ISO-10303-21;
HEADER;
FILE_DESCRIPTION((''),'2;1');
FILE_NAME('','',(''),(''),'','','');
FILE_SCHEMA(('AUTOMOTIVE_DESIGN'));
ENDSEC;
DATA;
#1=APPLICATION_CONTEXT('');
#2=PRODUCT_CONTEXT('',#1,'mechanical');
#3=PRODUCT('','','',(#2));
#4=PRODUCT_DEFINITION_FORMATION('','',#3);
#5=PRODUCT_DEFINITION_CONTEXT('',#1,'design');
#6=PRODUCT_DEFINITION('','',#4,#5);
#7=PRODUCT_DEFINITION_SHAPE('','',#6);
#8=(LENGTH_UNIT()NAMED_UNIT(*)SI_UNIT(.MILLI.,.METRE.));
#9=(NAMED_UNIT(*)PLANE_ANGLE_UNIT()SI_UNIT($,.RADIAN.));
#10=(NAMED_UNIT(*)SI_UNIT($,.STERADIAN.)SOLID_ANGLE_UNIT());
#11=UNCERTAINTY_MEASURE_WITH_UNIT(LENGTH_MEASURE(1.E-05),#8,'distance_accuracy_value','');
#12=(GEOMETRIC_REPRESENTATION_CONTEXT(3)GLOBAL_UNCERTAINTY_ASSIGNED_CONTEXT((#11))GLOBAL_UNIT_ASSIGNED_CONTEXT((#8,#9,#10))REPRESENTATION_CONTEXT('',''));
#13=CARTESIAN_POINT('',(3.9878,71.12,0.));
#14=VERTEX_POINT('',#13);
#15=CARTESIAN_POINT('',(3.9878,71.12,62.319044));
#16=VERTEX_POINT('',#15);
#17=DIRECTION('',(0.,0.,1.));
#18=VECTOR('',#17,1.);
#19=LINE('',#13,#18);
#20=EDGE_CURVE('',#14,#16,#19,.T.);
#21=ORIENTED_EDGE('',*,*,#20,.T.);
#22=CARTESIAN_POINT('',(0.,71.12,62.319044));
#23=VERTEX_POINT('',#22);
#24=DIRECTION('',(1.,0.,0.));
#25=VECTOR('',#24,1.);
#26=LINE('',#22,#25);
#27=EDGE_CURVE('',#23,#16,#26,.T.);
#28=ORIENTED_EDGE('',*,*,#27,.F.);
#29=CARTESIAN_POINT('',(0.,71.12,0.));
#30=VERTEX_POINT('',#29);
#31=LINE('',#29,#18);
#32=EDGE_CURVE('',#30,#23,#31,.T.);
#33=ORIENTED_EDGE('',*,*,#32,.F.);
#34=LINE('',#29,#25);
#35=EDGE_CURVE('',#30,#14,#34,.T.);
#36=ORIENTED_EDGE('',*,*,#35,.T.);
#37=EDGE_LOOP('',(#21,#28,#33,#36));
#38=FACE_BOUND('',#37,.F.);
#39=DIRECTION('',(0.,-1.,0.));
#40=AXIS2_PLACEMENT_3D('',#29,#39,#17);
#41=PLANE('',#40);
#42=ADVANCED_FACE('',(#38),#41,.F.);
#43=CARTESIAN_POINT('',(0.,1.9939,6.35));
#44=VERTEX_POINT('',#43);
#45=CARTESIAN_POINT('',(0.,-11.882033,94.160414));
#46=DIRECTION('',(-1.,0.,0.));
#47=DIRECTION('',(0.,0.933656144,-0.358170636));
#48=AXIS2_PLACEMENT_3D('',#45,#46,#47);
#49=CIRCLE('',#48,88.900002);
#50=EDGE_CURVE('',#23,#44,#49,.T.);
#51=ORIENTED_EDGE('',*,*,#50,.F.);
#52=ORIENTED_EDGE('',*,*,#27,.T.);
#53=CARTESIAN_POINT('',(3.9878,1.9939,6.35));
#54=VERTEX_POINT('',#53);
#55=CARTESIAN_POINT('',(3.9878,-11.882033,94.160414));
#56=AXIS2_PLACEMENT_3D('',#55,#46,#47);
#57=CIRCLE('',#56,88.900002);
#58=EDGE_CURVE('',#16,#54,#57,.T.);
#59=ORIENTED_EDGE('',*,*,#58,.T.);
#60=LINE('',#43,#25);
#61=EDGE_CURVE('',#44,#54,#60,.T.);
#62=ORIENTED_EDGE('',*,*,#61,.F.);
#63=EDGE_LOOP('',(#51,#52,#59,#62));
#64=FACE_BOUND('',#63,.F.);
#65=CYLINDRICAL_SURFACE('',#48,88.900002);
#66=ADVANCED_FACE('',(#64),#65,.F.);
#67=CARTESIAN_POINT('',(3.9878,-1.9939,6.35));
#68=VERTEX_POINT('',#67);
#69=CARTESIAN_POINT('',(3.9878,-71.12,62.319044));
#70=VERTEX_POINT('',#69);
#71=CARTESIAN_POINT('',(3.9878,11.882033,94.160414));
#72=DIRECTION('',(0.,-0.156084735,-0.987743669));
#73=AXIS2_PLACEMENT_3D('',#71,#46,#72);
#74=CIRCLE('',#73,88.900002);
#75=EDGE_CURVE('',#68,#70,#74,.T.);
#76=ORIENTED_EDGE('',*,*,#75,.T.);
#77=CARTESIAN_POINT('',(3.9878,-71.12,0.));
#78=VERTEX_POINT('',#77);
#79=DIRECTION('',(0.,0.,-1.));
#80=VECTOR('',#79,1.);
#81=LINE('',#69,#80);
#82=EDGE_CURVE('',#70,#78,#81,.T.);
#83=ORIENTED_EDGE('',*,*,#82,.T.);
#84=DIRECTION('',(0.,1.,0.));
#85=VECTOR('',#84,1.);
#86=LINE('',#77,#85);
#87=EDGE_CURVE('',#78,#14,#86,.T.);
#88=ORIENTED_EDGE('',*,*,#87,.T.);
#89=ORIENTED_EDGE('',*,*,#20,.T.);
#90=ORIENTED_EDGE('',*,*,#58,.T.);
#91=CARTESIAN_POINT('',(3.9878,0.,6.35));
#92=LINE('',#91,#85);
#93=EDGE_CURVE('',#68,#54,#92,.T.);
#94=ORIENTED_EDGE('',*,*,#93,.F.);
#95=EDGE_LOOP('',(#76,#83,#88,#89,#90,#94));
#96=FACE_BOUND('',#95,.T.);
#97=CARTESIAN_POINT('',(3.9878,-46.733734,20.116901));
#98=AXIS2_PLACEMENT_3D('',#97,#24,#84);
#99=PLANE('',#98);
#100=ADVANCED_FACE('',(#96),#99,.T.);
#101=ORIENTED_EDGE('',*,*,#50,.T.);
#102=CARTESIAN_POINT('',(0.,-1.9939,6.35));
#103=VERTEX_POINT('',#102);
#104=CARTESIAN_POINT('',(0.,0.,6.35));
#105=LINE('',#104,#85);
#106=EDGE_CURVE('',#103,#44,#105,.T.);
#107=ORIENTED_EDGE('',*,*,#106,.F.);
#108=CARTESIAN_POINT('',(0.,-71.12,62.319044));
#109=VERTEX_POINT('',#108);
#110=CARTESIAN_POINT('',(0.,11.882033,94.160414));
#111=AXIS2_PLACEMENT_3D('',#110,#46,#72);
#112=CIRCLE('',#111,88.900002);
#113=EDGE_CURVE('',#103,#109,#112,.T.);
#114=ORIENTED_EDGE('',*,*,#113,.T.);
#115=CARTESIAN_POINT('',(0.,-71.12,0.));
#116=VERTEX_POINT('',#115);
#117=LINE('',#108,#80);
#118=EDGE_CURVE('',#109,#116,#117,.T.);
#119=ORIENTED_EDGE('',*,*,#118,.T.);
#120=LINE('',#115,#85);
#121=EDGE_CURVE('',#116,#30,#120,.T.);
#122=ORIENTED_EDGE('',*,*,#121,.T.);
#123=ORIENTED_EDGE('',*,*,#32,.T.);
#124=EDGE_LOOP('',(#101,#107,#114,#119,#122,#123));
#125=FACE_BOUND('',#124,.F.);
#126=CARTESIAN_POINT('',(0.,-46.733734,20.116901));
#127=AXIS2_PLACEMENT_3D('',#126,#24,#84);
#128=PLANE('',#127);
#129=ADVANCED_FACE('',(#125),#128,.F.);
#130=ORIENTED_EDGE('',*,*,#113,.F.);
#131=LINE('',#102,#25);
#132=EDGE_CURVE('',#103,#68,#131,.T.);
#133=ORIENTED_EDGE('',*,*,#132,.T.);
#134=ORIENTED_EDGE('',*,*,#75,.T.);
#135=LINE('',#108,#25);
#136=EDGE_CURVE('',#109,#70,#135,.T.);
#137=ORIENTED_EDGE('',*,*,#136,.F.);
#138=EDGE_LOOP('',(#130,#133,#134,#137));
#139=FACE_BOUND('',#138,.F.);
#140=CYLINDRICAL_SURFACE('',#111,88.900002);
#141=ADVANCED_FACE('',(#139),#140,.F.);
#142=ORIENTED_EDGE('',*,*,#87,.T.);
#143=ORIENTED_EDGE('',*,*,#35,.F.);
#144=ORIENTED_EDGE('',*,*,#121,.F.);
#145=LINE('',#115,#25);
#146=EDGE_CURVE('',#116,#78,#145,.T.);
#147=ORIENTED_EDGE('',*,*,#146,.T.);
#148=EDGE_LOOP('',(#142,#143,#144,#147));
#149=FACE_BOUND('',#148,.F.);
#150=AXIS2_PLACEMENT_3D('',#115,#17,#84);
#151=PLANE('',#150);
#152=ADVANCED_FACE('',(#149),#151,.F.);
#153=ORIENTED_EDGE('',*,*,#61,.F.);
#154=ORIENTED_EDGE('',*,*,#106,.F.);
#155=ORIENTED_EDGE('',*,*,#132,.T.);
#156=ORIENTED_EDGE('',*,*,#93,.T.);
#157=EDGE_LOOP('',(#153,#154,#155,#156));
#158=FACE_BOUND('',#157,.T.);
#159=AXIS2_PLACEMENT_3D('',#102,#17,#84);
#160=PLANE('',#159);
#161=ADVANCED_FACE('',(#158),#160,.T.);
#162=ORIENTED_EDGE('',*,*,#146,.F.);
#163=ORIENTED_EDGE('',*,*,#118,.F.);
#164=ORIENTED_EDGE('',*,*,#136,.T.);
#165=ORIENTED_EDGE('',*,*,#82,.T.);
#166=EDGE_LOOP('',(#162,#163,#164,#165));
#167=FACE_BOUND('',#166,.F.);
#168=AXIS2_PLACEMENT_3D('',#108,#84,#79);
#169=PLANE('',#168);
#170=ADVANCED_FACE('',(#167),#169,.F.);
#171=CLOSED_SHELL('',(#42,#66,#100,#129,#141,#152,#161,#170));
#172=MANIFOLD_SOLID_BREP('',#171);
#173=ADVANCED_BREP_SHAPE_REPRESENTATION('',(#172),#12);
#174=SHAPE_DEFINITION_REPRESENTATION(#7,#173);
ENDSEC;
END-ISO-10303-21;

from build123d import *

# Parameters (mm, degrees)
F0_W     = 3.9878
F0_H     = 6.35
F1_DEPTH = 3.9878


with BuildPart() as f1:
    # F0 (on Right) → F1 (new body)
    with BuildSketch(Plane.YZ):
        with BuildLine():
            Line((-71.12, 0), (-1.9939, 0))
            Line((-1.9939, 0), (-1.9939, 6.35))
            ThreePointArc((-1.9939, 6.35), (-44.05962, 25.068144), (-71.12, 62.319044))
            Line((-71.12, 62.319044), (-71.12, 0))
        make_face()
        with Locations((0, 3.175)):
            Rectangle(F0_W, F0_H)
        with BuildLine():
            Line((1.9939, 6.35), (1.9939, 0))
            Line((1.9939, 0), (71.12, 0))
            Line((71.12, 0), (71.12, 62.319044))
            ThreePointArc((71.12, 62.319044), (44.05962, 25.068144), (1.9939, 6.35))
        make_face()
    extrude(amount=F1_DEPTH)


solid = f1.part
